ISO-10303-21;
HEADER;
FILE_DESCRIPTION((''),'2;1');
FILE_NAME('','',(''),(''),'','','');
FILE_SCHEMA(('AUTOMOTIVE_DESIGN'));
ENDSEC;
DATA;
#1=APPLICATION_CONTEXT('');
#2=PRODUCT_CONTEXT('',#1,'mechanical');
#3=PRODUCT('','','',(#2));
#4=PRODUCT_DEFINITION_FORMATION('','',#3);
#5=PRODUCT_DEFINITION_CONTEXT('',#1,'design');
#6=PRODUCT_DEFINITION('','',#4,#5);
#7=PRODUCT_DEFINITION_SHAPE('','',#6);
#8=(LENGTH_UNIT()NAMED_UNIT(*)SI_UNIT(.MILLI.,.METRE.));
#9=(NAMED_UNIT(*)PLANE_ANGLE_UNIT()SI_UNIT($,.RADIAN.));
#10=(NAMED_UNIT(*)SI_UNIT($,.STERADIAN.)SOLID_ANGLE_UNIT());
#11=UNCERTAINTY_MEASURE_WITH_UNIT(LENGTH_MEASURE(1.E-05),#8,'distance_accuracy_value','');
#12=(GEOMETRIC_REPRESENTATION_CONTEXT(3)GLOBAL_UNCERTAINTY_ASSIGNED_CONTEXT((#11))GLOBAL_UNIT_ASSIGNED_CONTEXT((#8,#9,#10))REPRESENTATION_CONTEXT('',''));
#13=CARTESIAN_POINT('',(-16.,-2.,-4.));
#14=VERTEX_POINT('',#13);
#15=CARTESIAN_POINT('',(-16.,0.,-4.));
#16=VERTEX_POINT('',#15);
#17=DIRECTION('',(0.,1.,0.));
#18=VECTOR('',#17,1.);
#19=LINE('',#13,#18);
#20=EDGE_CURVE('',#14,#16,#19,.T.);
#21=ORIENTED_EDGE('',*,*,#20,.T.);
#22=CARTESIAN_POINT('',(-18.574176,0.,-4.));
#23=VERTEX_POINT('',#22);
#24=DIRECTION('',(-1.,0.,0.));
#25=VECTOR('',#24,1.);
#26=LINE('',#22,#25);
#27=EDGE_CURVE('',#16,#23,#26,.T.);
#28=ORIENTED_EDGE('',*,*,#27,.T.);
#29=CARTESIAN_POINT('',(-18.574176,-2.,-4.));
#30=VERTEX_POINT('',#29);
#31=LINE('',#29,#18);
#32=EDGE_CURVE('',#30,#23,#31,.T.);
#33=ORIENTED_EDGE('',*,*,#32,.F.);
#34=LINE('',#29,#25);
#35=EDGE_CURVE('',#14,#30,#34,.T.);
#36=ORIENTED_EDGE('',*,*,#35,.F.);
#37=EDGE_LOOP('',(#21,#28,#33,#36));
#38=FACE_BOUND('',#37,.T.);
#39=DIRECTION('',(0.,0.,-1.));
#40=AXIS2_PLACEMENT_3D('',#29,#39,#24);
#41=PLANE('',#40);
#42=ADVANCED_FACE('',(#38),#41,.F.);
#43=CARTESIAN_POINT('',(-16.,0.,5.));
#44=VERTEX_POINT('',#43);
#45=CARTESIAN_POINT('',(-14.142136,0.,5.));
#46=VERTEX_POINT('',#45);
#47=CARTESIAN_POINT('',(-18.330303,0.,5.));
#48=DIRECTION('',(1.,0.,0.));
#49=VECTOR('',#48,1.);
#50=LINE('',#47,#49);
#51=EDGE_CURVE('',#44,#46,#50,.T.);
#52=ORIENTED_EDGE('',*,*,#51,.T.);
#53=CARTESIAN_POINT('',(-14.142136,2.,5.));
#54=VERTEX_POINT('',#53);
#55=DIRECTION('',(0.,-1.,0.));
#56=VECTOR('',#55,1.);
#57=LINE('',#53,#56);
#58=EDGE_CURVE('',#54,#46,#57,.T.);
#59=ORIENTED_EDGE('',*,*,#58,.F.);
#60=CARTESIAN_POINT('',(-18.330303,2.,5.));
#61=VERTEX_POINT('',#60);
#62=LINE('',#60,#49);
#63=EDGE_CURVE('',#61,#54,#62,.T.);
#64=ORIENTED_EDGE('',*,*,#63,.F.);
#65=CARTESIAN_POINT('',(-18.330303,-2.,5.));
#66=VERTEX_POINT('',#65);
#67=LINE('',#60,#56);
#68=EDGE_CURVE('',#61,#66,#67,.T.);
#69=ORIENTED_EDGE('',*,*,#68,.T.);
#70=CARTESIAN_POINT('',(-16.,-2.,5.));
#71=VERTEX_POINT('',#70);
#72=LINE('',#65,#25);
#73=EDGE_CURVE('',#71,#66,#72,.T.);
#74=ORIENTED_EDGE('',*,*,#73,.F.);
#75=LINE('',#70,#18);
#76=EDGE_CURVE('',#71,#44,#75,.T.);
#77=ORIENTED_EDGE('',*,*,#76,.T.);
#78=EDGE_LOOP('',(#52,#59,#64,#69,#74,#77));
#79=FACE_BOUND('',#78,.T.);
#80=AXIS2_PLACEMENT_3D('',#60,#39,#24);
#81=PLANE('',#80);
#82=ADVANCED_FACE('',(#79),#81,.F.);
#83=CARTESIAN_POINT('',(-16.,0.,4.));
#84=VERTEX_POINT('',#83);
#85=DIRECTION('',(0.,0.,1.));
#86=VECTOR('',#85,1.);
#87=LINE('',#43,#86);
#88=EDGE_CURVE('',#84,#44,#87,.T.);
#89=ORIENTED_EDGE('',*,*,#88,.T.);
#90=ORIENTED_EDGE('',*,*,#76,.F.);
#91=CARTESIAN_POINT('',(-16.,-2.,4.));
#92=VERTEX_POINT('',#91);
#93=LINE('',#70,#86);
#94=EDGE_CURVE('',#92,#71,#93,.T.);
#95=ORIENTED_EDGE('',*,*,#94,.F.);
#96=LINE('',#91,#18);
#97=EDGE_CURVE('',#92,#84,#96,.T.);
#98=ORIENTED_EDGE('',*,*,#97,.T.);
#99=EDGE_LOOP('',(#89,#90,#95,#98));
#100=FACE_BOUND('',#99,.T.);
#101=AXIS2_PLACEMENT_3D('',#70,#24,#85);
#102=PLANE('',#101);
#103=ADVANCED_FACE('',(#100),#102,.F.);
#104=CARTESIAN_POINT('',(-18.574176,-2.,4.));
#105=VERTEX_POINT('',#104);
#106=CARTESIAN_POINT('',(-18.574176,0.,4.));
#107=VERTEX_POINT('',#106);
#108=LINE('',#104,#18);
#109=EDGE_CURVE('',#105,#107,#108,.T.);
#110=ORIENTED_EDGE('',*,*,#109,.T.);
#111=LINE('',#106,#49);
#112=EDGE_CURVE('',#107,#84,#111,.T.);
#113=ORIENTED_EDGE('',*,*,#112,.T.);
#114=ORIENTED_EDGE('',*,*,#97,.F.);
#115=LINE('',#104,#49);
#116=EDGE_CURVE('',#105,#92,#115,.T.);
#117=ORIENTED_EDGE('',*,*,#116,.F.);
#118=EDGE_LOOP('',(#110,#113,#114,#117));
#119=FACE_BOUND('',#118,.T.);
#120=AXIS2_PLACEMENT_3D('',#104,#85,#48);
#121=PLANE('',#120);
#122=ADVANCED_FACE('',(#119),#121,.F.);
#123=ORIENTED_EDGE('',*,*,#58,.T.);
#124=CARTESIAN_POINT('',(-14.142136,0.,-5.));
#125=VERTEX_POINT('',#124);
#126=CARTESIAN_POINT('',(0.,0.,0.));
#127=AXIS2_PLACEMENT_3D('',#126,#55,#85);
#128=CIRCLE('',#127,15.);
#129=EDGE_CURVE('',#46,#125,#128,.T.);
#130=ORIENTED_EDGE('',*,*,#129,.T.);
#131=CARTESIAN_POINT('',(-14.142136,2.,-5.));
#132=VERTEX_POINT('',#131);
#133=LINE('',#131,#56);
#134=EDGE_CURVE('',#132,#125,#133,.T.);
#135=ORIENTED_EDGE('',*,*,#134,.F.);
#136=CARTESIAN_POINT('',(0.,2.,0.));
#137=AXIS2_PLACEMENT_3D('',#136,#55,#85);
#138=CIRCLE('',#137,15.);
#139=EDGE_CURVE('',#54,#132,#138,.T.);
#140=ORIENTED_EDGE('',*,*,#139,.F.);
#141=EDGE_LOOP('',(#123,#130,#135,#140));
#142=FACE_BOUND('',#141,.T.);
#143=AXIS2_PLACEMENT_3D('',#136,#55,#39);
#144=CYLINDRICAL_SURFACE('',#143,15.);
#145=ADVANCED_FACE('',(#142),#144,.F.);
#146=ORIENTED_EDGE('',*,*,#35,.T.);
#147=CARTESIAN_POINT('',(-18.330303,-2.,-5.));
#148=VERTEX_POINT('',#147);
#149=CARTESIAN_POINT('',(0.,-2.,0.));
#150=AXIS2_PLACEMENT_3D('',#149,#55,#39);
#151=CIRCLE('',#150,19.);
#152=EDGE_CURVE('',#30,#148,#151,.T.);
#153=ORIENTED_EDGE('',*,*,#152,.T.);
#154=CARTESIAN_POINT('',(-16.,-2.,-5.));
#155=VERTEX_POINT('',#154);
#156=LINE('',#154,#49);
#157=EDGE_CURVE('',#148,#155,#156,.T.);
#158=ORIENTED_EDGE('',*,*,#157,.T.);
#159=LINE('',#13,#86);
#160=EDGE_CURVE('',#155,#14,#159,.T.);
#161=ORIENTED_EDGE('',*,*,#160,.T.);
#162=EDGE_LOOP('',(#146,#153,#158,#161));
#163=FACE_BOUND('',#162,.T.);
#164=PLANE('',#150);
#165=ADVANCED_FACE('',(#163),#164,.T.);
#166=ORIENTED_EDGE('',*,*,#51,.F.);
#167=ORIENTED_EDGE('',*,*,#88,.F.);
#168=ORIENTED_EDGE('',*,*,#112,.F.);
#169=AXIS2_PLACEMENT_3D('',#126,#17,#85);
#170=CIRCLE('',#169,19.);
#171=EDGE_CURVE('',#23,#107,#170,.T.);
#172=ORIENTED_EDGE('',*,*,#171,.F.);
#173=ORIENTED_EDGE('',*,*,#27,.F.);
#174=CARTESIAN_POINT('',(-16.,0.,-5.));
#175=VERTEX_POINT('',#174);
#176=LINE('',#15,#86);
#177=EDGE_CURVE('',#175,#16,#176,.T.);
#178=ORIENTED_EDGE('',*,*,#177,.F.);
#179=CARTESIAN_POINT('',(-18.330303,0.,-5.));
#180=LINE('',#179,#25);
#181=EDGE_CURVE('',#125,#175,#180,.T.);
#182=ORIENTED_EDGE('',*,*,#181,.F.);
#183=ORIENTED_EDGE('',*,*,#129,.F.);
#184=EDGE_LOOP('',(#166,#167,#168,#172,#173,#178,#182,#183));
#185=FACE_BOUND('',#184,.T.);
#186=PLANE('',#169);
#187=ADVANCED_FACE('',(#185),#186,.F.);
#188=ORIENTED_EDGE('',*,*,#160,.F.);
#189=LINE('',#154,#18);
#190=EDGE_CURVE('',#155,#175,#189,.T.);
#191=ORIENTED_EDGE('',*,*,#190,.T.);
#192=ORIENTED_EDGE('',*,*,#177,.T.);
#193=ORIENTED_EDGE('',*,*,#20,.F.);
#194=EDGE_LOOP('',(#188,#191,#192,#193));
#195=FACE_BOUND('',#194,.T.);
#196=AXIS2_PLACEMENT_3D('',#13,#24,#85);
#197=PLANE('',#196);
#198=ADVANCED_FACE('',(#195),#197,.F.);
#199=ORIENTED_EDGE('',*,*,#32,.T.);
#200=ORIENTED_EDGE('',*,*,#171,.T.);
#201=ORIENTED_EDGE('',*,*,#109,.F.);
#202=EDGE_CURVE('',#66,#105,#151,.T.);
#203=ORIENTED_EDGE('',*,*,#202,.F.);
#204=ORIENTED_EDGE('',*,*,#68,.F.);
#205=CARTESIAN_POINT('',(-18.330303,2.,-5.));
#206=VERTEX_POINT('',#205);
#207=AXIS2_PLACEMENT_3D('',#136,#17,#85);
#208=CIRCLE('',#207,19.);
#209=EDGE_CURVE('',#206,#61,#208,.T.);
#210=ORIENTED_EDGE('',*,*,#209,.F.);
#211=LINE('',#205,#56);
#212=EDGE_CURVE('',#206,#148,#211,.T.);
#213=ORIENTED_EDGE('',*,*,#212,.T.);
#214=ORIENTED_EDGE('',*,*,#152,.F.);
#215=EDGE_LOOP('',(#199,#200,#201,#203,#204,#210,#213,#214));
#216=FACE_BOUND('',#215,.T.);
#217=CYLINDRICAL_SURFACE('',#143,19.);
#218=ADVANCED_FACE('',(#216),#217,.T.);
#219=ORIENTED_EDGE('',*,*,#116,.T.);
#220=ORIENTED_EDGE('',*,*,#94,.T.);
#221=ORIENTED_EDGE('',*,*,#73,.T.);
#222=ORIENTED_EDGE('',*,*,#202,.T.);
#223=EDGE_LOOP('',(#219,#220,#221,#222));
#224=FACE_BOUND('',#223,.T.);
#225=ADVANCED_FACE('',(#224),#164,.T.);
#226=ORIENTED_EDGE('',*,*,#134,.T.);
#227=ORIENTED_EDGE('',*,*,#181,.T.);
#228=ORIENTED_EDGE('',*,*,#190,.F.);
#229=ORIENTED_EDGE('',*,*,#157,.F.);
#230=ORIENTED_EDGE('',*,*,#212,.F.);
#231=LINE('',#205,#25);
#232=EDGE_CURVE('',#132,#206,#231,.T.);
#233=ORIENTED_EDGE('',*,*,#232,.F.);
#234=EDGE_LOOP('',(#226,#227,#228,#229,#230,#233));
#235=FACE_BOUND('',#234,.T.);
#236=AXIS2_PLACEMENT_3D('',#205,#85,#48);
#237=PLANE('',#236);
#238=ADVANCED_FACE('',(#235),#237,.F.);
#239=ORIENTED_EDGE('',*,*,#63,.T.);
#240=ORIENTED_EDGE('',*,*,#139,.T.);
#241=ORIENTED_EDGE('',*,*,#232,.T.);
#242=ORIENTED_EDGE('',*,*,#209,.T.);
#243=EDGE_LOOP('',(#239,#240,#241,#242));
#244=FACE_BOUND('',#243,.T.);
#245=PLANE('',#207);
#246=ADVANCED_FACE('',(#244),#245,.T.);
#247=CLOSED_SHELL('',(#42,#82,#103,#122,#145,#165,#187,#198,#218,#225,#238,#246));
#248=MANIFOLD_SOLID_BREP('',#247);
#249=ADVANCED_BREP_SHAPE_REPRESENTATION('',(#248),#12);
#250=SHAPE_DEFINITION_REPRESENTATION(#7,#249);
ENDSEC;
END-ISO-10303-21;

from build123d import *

# Parameters (mm, degrees)
BOSS_EXTRUDE1_DEPTH = 2
BOSS_EXTRUDE2_DEPTH = 2


with BuildPart() as part:
    # Sketch1 → Boss-Extrude1 (new body)
    with BuildSketch(Plane(origin=(0, 0, 0), x_dir=(1, 0, 0), z_dir=(0, 1, 0))):
        with BuildLine():
            Line((-18.33030278, 5), (-14.142135624, 5))
            ThreePointArc((-14.142135624, 5), (-15, 0), (-14.142135624, -5))
            Line((-14.142135624, -5), (-18.33030278, -5))
            ThreePointArc((-18.33030278, -5), (-19, 0), (-18.33030278, 5))
        make_face()
    extrude(amount=BOSS_EXTRUDE1_DEPTH)

    # Sketch2 → Boss-Extrude2 (add)
    with BuildSketch(Plane.XZ):
        with BuildLine():
            Line((-16, -5), (-18.33030278, -5))
            ThreePointArc((-18.33030278, -5), (-18.459012203, -4.501651751), (-18.574175621, -4))
            Line((-18.574175621, -4), (-16, -4))
            Line((-16, -4), (-16, -5))
        make_face()
        with BuildLine():
            Line((-18.33030278, 5), (-16, 5))
            Line((-16, 5), (-16, 4))
            Line((-16, 4), (-18.574175621, 4))
            ThreePointArc((-18.574175621, 4), (-18.459012203, 4.501651751), (-18.33030278, 5))
        make_face()
    extrude(amount=BOSS_EXTRUDE2_DEPTH)


solid = part.part
